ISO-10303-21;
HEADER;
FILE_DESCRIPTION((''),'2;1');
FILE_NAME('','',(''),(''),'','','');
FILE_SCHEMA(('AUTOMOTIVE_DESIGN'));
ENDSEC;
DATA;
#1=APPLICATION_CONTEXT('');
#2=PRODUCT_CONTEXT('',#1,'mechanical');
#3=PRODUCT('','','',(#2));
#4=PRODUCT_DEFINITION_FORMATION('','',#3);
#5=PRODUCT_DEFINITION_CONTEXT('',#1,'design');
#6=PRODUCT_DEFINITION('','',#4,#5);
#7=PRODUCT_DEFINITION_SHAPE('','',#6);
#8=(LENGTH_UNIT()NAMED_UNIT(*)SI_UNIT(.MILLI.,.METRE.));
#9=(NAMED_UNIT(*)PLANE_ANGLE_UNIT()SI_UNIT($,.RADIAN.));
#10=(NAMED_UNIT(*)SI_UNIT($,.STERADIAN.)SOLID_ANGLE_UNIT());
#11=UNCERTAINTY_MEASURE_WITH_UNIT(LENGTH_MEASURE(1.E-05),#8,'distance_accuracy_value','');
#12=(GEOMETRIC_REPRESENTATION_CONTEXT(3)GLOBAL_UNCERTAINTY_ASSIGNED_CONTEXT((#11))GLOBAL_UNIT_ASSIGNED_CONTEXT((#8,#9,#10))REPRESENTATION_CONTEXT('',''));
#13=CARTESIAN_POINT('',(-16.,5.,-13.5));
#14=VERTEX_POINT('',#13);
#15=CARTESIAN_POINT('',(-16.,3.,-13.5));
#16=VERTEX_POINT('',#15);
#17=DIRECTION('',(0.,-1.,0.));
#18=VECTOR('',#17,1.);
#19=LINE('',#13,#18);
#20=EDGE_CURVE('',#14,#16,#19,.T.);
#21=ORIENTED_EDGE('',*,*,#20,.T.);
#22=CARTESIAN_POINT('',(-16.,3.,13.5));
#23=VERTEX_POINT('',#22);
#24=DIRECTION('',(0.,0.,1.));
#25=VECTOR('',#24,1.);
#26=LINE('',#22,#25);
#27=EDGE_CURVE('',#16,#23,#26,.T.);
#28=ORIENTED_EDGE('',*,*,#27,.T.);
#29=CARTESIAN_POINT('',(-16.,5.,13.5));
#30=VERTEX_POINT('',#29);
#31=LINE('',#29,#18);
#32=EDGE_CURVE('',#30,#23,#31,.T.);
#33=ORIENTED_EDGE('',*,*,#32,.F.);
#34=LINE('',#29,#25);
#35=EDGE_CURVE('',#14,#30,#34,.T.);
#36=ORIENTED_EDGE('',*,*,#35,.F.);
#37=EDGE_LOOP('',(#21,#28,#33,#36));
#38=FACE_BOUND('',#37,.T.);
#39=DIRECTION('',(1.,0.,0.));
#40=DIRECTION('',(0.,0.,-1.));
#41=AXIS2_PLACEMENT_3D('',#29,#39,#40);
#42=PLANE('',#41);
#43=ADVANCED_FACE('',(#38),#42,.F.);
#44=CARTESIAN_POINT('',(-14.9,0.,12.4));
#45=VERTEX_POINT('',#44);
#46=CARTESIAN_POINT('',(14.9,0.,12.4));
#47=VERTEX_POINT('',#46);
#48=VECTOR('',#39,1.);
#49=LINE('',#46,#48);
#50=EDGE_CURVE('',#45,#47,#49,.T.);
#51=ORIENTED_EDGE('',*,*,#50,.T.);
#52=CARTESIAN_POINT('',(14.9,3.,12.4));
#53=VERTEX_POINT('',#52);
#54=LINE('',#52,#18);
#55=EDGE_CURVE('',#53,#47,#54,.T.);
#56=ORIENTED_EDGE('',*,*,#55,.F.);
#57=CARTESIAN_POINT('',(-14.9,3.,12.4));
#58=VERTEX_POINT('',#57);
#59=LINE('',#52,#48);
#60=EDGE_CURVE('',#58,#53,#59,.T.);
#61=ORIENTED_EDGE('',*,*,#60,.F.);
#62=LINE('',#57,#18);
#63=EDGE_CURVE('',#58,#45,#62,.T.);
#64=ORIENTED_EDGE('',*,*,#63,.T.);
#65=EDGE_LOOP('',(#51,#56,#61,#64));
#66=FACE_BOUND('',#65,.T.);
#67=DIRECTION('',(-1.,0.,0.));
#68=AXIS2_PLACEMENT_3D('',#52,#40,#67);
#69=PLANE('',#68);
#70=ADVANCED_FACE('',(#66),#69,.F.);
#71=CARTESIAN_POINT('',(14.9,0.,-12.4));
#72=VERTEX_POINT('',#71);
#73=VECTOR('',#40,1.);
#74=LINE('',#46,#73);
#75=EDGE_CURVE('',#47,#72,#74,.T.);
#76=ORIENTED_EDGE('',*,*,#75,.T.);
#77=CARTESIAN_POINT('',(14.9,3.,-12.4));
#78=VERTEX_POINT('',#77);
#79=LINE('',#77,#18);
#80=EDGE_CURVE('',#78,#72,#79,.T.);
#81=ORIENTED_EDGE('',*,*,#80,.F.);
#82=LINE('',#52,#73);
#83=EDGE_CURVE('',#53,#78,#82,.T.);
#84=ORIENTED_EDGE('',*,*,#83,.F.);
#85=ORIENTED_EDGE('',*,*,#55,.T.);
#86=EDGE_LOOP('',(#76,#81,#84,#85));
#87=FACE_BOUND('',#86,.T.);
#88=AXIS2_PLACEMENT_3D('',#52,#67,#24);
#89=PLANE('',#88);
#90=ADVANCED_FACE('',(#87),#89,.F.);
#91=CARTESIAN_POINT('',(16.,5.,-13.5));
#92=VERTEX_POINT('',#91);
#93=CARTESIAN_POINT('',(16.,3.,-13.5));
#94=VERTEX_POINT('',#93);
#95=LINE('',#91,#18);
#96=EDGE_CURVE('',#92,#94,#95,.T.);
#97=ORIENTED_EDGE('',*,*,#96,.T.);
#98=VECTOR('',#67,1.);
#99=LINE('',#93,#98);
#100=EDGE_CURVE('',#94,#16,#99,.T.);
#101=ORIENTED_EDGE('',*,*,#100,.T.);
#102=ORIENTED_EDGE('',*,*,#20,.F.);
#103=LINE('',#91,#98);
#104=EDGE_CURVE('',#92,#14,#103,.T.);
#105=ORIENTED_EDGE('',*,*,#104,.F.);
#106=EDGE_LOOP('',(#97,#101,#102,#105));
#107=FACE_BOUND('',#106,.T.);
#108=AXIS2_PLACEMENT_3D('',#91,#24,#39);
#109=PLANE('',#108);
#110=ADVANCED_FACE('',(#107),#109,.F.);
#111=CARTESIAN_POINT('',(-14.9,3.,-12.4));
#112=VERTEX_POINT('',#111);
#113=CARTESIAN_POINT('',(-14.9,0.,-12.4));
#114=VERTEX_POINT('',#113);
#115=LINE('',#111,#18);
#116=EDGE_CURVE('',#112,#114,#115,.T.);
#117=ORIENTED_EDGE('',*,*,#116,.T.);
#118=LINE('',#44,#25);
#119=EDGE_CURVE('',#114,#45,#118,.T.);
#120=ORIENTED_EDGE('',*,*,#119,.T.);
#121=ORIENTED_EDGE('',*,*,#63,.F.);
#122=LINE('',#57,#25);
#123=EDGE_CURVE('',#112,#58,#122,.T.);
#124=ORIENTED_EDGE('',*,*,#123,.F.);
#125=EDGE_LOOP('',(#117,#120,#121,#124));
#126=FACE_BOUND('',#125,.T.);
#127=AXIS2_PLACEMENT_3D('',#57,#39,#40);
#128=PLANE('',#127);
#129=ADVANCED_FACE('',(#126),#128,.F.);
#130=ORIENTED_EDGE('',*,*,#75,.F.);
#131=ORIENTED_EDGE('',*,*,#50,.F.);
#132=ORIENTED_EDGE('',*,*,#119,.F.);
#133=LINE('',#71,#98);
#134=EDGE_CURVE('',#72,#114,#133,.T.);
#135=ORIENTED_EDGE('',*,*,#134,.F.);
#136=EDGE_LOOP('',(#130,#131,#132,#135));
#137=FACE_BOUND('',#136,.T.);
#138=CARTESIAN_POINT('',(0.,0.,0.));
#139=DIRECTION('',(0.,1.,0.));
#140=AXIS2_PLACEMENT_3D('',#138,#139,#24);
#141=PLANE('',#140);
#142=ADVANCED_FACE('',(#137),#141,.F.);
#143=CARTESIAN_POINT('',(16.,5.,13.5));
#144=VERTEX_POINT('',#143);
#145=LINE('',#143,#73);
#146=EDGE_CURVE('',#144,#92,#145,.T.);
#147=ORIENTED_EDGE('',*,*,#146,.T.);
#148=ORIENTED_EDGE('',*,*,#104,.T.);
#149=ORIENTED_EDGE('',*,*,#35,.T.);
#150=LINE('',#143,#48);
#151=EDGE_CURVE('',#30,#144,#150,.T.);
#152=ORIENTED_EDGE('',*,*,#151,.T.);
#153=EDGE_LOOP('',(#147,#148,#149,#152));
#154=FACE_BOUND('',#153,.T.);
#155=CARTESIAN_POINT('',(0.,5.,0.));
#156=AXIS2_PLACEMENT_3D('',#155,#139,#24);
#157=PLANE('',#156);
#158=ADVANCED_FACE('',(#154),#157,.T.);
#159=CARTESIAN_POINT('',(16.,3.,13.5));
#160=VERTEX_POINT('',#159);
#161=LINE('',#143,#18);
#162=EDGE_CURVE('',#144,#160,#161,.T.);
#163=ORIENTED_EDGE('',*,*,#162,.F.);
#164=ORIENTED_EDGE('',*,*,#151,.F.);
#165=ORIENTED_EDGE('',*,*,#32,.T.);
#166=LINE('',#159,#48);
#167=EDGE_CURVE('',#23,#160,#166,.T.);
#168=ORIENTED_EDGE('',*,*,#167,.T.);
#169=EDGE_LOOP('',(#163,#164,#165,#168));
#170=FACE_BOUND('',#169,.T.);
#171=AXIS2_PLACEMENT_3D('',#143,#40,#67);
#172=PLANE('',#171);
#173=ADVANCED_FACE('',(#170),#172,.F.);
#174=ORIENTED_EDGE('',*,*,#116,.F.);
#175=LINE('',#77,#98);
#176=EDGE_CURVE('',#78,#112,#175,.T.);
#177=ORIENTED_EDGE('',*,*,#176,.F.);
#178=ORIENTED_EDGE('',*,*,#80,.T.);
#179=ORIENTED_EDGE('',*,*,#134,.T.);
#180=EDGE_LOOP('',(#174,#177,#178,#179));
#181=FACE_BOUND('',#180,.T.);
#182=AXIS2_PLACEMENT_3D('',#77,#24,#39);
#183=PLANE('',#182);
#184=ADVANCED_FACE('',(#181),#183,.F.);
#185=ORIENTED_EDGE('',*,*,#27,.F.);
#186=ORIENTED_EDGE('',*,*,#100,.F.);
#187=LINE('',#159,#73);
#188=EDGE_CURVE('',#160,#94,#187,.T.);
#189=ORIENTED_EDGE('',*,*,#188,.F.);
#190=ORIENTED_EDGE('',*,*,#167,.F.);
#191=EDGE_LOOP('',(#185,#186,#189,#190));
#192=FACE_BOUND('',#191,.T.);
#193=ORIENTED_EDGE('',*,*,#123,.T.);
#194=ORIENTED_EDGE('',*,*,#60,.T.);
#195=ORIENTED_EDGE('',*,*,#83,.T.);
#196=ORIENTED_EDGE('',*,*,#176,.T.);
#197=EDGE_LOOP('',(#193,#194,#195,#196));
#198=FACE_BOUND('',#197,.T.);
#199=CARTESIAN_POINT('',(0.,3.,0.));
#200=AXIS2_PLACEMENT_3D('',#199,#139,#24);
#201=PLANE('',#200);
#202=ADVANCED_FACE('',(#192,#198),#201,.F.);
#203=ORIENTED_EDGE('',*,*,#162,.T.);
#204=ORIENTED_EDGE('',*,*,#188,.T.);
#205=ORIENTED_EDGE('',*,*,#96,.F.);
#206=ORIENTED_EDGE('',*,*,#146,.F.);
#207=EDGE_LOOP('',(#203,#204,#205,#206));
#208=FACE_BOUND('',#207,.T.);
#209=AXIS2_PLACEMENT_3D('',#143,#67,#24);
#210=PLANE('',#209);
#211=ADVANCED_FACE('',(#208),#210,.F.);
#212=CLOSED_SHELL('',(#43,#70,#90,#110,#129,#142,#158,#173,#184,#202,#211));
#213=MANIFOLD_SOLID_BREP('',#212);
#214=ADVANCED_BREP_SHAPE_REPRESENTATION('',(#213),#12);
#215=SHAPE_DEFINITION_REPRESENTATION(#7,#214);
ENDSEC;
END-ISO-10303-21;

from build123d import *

# Parameters (mm, degrees)
SKETCH1_W           = 29.8
SKETCH1_H           = 24.8
BOSS_EXTRUDE1_DEPTH = 3
SKETCH2_W           = 32
SKETCH2_H           = 27
BOSS_EXTRUDE2_DEPTH = 2


with BuildPart() as part:
    # Sketch1 → Boss-Extrude1 (new body)
    with BuildSketch(Plane(origin=(0, 0, 0), x_dir=(1, 0, 0), z_dir=(0, 1, 0))):
        Rectangle(SKETCH1_W, SKETCH1_H)
    extrude(amount=BOSS_EXTRUDE1_DEPTH)

    # Sketch2 → Boss-Extrude2 (add)
    with BuildSketch(Plane(origin=(0, 3, 0), x_dir=(1, 0, 0), z_dir=(0, 1, 0))):
        Rectangle(SKETCH2_W, SKETCH2_H)
    extrude(amount=BOSS_EXTRUDE2_DEPTH)


solid = part.part
